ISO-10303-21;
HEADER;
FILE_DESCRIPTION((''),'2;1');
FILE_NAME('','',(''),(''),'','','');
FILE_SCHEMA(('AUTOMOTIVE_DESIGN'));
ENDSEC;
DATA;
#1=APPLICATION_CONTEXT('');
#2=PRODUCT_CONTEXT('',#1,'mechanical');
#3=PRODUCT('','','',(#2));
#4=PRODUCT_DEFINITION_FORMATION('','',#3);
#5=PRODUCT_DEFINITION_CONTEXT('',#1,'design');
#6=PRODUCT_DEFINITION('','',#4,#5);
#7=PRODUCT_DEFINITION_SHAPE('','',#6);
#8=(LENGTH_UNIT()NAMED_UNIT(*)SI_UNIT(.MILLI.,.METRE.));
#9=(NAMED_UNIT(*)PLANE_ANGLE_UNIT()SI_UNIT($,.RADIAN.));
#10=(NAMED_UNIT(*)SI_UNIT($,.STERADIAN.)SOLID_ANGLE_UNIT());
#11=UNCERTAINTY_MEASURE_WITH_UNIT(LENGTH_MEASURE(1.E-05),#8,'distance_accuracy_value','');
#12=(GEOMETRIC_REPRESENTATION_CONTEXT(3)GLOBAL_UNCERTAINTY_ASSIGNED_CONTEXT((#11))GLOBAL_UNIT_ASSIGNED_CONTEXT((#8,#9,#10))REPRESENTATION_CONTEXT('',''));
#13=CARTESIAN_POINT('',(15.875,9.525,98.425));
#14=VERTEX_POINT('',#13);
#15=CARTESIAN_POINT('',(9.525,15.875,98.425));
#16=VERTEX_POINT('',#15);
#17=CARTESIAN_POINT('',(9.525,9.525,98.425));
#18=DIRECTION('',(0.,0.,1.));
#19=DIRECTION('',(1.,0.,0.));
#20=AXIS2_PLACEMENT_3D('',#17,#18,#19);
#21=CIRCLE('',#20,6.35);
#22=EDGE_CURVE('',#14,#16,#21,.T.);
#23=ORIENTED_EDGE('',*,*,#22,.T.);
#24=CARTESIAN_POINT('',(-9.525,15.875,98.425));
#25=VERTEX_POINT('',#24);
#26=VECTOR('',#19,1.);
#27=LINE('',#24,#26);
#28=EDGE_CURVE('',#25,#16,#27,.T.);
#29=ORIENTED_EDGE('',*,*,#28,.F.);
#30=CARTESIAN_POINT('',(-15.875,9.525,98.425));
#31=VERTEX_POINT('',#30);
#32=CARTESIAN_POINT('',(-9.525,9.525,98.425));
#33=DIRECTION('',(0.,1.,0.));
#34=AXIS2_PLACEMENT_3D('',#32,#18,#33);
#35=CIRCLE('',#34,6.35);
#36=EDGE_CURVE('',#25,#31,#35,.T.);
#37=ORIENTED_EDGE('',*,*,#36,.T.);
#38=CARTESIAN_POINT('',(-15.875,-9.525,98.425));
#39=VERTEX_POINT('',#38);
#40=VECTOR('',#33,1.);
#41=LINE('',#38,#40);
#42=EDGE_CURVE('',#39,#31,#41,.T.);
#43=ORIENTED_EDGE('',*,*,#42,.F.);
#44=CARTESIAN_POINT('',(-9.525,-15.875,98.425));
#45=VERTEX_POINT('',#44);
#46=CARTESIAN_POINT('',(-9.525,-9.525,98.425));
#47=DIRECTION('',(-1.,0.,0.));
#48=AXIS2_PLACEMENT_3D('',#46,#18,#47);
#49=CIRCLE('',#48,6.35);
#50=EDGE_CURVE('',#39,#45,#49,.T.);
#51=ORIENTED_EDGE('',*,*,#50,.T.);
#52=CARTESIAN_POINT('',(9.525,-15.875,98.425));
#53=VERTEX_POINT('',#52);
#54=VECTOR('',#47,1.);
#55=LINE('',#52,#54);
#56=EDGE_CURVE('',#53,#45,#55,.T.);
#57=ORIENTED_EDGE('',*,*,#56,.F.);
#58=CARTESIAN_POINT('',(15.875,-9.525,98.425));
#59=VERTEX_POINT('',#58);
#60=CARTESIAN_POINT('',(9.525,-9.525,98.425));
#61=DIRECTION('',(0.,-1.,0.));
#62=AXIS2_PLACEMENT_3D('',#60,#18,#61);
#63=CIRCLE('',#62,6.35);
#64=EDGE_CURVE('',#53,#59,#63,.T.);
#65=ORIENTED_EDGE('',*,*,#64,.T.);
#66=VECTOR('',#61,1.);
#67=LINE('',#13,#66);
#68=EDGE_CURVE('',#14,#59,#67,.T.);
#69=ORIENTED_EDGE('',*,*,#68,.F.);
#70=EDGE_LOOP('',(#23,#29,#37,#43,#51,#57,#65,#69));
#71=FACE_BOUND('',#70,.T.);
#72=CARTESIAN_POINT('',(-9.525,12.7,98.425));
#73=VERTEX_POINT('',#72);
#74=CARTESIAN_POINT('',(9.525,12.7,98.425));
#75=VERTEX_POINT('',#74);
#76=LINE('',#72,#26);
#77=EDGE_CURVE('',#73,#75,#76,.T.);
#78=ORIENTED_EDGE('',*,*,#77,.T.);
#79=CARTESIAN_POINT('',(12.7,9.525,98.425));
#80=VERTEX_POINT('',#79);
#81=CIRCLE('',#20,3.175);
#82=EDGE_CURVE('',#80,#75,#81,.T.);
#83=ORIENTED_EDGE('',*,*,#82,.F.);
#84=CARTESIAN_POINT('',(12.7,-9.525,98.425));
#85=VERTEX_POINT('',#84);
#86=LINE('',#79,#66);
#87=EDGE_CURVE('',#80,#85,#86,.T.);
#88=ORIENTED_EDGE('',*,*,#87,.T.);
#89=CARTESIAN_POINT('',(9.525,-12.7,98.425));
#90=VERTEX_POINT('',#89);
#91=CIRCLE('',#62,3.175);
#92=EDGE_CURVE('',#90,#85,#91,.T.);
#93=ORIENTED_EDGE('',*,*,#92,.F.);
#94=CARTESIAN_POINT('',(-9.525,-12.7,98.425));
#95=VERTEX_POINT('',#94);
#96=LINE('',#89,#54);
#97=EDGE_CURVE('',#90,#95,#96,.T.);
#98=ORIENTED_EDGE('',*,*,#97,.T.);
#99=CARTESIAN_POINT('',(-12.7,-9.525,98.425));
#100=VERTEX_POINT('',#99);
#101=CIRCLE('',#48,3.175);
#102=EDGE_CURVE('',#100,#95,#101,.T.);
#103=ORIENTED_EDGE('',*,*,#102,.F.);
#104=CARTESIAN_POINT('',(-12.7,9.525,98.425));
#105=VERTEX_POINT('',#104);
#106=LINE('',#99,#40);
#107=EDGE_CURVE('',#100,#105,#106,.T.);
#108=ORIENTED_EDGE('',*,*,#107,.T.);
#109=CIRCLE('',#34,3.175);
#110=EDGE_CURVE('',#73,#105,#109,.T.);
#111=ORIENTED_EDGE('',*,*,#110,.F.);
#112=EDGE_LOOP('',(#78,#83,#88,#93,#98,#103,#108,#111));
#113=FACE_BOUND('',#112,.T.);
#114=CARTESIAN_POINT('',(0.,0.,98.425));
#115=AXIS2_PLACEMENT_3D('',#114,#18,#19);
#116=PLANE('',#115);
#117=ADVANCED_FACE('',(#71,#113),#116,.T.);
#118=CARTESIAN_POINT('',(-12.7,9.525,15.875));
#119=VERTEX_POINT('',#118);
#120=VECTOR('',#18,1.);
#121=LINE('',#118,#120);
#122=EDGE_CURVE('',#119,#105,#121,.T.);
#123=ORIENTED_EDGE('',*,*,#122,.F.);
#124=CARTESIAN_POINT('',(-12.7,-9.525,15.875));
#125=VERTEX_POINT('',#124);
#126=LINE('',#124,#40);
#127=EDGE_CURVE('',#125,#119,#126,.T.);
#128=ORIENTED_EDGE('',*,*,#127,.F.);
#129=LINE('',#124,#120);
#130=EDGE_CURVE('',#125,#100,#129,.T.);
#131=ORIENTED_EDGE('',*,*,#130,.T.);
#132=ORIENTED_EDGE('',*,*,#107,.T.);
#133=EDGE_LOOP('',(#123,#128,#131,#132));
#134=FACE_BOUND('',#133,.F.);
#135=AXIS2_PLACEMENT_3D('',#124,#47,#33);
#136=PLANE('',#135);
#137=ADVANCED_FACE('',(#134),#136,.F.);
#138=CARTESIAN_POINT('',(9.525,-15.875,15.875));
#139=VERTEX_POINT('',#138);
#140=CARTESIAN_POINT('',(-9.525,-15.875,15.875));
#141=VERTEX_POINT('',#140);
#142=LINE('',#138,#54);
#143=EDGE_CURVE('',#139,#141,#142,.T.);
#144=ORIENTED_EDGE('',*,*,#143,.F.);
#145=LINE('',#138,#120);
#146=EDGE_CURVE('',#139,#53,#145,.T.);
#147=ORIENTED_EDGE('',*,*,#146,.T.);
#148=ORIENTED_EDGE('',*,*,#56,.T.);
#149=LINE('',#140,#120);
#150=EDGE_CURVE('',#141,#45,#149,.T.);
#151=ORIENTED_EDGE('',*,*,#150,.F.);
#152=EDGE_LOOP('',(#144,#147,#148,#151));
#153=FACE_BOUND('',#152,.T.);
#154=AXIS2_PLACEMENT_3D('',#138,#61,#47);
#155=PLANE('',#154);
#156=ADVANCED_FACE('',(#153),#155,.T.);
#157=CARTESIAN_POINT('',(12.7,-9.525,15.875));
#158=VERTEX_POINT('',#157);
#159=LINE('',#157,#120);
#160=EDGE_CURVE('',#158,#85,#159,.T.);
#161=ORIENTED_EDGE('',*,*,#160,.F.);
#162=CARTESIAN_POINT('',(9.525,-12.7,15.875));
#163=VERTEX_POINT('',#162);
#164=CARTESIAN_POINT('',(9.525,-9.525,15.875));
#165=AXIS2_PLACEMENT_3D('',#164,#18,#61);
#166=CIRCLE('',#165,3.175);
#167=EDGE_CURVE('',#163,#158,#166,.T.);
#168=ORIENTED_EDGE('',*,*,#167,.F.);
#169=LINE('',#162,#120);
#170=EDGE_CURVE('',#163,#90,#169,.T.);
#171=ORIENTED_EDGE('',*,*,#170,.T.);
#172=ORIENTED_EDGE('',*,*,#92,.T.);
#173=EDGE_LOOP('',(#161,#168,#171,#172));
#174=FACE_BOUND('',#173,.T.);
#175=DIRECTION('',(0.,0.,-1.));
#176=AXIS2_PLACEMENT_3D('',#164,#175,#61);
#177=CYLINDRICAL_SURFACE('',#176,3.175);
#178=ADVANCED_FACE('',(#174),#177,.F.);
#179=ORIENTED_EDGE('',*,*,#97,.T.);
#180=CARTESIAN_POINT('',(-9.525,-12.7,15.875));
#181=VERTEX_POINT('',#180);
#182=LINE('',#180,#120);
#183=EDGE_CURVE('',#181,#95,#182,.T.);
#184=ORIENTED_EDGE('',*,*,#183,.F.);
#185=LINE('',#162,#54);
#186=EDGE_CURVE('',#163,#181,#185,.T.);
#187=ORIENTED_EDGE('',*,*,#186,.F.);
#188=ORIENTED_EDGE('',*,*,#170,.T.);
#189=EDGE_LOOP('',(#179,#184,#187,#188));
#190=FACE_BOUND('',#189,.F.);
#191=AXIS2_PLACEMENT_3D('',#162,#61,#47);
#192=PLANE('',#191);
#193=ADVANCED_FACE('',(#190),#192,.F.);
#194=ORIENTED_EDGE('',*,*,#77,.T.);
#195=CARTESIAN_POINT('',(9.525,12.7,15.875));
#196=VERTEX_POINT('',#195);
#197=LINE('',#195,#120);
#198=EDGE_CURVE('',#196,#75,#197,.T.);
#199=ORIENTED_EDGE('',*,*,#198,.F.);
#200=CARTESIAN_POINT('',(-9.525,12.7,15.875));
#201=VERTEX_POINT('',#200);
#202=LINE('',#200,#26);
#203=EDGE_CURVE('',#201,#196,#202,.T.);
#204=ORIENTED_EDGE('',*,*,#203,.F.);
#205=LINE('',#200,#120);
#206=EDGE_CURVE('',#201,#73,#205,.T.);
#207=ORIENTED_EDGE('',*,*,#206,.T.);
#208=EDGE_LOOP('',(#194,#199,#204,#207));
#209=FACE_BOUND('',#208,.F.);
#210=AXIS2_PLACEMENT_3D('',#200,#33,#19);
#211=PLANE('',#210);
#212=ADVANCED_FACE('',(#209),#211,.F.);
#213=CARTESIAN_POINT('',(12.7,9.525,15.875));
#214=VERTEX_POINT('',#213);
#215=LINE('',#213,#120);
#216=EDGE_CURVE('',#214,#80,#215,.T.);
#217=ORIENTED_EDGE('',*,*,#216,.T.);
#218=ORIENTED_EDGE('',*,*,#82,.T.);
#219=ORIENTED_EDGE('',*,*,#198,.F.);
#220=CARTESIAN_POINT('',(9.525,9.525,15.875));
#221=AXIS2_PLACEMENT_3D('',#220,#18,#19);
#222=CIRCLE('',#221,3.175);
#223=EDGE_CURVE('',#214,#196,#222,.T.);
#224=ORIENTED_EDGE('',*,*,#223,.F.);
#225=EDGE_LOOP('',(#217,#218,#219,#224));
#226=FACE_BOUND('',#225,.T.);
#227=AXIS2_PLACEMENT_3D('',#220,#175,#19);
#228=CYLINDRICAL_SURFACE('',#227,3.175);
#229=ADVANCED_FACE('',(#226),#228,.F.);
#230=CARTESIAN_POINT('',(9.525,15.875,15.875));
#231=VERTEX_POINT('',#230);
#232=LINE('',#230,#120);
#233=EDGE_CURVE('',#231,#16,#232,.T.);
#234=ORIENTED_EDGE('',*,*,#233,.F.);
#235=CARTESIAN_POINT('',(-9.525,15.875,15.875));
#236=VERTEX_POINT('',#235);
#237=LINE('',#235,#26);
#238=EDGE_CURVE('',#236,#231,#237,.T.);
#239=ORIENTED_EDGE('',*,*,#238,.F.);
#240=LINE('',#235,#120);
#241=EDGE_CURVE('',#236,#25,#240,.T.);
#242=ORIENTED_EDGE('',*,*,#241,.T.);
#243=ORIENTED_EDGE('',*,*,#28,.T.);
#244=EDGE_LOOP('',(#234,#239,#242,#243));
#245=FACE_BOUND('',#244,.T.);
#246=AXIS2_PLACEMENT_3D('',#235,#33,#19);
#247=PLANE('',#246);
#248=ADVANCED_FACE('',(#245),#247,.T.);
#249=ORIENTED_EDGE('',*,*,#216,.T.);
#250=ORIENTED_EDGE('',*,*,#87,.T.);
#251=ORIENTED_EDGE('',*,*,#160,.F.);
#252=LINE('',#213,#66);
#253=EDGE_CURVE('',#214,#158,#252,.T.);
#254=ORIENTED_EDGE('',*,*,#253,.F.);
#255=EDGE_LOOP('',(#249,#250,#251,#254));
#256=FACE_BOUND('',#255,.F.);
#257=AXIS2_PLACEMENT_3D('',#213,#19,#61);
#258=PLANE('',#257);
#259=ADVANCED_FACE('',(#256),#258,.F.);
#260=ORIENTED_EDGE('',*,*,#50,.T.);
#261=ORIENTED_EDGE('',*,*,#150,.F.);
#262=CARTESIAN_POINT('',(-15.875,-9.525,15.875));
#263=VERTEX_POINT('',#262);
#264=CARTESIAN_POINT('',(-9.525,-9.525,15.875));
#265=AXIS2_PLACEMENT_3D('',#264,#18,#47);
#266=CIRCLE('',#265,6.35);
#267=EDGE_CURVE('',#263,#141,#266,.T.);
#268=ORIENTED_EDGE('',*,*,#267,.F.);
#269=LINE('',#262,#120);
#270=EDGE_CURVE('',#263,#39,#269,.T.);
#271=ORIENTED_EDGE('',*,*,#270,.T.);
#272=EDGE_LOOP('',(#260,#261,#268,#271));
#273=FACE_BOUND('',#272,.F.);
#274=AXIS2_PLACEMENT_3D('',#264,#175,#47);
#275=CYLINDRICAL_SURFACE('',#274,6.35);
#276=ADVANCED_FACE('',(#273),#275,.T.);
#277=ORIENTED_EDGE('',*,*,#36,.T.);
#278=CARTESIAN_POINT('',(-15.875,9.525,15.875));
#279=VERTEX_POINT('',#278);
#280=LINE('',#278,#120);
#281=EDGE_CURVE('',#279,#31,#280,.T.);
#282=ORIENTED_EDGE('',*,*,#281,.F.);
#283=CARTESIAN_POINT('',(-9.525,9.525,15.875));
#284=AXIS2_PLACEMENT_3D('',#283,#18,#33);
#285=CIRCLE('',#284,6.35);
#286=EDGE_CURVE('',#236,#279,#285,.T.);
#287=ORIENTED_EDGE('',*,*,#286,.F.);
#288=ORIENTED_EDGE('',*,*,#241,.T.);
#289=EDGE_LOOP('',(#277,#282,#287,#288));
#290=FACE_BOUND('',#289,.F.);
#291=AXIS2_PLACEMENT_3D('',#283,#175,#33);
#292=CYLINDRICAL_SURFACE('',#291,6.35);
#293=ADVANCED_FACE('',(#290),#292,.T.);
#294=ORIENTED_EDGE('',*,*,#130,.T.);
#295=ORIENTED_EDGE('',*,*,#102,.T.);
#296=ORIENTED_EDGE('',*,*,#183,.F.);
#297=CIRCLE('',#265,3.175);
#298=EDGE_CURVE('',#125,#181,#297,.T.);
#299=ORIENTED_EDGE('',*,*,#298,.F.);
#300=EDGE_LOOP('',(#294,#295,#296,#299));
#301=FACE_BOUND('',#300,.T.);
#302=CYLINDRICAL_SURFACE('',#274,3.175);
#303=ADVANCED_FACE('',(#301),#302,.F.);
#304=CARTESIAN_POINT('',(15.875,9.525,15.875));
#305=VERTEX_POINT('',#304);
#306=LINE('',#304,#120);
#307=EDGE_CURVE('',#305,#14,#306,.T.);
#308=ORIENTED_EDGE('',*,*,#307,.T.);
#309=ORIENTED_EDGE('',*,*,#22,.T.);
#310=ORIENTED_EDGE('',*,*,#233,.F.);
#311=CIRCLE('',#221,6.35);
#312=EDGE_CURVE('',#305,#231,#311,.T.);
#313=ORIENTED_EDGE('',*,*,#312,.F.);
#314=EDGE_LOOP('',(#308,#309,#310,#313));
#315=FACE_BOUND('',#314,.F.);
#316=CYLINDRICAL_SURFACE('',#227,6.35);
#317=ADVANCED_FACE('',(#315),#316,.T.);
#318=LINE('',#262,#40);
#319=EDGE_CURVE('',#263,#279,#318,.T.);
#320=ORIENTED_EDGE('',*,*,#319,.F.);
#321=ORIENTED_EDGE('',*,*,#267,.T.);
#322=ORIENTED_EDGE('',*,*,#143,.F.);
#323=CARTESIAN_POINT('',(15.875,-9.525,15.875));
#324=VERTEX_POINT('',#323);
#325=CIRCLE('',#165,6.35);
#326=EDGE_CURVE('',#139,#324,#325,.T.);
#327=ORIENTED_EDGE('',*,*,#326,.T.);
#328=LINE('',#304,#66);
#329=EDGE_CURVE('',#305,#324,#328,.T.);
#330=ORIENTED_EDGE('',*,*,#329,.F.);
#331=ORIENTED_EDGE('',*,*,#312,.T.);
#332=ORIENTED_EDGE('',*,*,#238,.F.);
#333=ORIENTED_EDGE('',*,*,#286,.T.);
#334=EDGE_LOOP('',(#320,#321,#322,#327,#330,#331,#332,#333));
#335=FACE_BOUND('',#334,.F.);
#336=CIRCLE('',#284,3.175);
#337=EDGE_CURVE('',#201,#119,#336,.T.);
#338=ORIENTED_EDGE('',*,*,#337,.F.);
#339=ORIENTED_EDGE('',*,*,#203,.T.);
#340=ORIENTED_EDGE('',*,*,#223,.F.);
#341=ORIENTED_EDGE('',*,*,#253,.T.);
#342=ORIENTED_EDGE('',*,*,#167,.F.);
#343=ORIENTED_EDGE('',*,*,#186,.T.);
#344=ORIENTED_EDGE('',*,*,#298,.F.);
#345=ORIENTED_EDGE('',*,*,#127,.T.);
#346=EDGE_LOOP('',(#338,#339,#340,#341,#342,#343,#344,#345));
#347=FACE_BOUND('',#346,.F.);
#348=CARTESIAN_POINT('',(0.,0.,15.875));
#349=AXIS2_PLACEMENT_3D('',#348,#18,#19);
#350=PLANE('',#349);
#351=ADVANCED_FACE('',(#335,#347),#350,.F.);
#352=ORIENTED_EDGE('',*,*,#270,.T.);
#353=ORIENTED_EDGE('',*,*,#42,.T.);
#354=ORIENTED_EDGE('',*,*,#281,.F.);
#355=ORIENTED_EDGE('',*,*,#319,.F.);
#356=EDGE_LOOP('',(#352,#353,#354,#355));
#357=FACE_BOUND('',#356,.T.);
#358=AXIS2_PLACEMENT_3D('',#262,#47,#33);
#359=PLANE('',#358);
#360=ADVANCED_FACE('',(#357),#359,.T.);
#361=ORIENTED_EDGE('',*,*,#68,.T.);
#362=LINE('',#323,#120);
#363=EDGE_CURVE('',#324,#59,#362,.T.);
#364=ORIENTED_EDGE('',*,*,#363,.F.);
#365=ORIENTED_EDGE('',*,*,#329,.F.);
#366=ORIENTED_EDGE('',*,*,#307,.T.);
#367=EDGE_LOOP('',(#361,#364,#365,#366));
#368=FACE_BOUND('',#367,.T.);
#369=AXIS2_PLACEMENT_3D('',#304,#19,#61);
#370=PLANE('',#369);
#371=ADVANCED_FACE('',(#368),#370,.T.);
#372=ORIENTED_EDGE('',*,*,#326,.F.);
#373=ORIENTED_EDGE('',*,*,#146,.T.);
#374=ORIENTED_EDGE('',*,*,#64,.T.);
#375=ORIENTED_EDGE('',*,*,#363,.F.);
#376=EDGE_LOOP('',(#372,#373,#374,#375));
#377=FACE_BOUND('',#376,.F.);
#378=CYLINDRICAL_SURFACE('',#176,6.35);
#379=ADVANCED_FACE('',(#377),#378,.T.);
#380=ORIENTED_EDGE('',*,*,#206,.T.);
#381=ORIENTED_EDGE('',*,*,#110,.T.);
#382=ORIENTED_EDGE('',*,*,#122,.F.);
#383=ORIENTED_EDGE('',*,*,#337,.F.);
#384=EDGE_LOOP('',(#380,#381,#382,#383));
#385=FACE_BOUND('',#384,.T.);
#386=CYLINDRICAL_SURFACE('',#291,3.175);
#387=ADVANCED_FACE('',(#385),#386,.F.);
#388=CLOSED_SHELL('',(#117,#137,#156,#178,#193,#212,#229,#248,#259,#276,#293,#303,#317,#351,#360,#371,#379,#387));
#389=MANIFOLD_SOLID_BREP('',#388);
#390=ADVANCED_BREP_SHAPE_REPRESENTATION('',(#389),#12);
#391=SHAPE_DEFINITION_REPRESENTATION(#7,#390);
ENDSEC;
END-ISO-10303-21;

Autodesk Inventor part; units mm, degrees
ref_plane "Start plane" through (0, 0, 15.875) normal (0, 0, 1) x (1, 0, 0)
ref_plane "End plane" through (0, 0, 98.425) normal (0, 0, 1) x (1, 0, 0)
sketch "Sketch" plane through (0, 0, 0) normal (0, 0, 1) x (1, 0, 0)
  line L0 (-15.875, -9.525) -> (-15.875, 9.525)
  line L1 (-9.525, 15.875) -> (9.525, 15.875)
  line L2 (15.875, 9.525) -> (15.875, -9.525)
  line L3 (9.525, -15.875) -> (-9.525, -15.875)
  arc A0 (-15.875, -9.525) -> (-9.525, -15.875) centre (-9.525, -9.525) ccw
  arc A1 (-9.525, 15.875) -> (-15.875, 9.525) centre (-9.525, 9.525) ccw
  arc A2 (15.875, 9.525) -> (9.525, 15.875) centre (9.525, 9.525) ccw
  arc A3 (9.525, -15.875) -> (15.875, -9.525) centre (9.525, -9.525) ccw
  arc A4 (-9.525, 12.7) -> (-12.7, 9.525) centre (-9.525, 9.525) ccw
  line L4 (-9.525, 12.7) -> (9.525, 12.7)
  arc A5 (12.7, 9.525) -> (9.525, 12.7) centre (9.525, 9.525) ccw
  line L5 (12.7, 9.525) -> (12.7, -9.525)
  arc A6 (9.525, -12.7) -> (12.7, -9.525) centre (9.525, -9.525) ccw
  line L6 (9.525, -12.7) -> (-9.525, -12.7)
  arc A7 (-12.7, -9.525) -> (-9.525, -12.7) centre (-9.525, -9.525) ccw
  line L7 (-12.7, -9.525) -> (-12.7, 9.525)
  line L8 (0, 24.0662) -> (0, -24.0662) construction
  line L9 (-24.0662, 0) -> (24.0662, 0) construction
  dimension "d10" = 31.75
  dimension "d11" = 31.75
  dimension "d12" = 3.175
  dimension "d15" = 15.875
  dimension "d16" = 15.875
  dimension "d17" = 6.35
extrude "Body" add sketch "Sketch" along normal up to surface (82.55 mm away) from surface at 15.875
sketch "Sketch3" plane through (0, 0, 0) normal (0, 0, 1) x (1, 0, 0)
  line L0 (0, 0) -> (10, 0)
ref_plane "Work Plane3" through (0, 0, 0) normal (0, -1, 0) x (1, 0, 0)
sketch "Sketch4" plane through (0, 0, 0) normal (0, -1, 0) x (1, 0, 0)
  line L0 (-2, 15.875) -> (12, 15.875)
  line L1 (-2, 98.425) -> (12, 98.425)
  dimension "d19" = 82.55
ref_plane "Work Plane4" through (-9.525, -508.0017, 98.425) normal (0, 0, 1) x (1, 0, 0)
split "Split1" plane through (-9.525, -508.0017, 98.425) removes the side toward (0, 0, 1)
ref_plane "Work Plane5" through (9.525, -508.0017, 15.875) normal (0, 0, -1) x (-1, 0, 0)
split "Split2" plane through (9.525, -508.0017, 15.875) removes the side toward (0, 0, -1)
equation "\"d10\" = G_H"
equation "\"d11\" = G_W"
equation "\"d12\" = G_T"
equation "\"d15\" = 0.5 * d10"
equation "\"d16\" = 0.5 * d11"
equation "\"d17\" = G_IR"
equation "\"d3\" = G_L"
equation "\"G_W\" = 31.75"
equation "\"G_H\" = 31.75"
equation "\"G_T\" = 3.175"
equation "\"G_IR\" = 6.35"
equation "\"G_L\" = d19"
equation "\"G_OFFSET_START\" = -15.875"
equation "\"G_OFFSET_END\" = -15.875"
equation "\"d13\" = -G_OFFSET_START"
equation "\"d14\" = G_OFFSET_END + B_L"
equation "\"B_L\" = 114.3"
properties part number "AISC HSS - 1-1/4x1-1/4x1/8 - 3.25" material "Steel, Mild"
